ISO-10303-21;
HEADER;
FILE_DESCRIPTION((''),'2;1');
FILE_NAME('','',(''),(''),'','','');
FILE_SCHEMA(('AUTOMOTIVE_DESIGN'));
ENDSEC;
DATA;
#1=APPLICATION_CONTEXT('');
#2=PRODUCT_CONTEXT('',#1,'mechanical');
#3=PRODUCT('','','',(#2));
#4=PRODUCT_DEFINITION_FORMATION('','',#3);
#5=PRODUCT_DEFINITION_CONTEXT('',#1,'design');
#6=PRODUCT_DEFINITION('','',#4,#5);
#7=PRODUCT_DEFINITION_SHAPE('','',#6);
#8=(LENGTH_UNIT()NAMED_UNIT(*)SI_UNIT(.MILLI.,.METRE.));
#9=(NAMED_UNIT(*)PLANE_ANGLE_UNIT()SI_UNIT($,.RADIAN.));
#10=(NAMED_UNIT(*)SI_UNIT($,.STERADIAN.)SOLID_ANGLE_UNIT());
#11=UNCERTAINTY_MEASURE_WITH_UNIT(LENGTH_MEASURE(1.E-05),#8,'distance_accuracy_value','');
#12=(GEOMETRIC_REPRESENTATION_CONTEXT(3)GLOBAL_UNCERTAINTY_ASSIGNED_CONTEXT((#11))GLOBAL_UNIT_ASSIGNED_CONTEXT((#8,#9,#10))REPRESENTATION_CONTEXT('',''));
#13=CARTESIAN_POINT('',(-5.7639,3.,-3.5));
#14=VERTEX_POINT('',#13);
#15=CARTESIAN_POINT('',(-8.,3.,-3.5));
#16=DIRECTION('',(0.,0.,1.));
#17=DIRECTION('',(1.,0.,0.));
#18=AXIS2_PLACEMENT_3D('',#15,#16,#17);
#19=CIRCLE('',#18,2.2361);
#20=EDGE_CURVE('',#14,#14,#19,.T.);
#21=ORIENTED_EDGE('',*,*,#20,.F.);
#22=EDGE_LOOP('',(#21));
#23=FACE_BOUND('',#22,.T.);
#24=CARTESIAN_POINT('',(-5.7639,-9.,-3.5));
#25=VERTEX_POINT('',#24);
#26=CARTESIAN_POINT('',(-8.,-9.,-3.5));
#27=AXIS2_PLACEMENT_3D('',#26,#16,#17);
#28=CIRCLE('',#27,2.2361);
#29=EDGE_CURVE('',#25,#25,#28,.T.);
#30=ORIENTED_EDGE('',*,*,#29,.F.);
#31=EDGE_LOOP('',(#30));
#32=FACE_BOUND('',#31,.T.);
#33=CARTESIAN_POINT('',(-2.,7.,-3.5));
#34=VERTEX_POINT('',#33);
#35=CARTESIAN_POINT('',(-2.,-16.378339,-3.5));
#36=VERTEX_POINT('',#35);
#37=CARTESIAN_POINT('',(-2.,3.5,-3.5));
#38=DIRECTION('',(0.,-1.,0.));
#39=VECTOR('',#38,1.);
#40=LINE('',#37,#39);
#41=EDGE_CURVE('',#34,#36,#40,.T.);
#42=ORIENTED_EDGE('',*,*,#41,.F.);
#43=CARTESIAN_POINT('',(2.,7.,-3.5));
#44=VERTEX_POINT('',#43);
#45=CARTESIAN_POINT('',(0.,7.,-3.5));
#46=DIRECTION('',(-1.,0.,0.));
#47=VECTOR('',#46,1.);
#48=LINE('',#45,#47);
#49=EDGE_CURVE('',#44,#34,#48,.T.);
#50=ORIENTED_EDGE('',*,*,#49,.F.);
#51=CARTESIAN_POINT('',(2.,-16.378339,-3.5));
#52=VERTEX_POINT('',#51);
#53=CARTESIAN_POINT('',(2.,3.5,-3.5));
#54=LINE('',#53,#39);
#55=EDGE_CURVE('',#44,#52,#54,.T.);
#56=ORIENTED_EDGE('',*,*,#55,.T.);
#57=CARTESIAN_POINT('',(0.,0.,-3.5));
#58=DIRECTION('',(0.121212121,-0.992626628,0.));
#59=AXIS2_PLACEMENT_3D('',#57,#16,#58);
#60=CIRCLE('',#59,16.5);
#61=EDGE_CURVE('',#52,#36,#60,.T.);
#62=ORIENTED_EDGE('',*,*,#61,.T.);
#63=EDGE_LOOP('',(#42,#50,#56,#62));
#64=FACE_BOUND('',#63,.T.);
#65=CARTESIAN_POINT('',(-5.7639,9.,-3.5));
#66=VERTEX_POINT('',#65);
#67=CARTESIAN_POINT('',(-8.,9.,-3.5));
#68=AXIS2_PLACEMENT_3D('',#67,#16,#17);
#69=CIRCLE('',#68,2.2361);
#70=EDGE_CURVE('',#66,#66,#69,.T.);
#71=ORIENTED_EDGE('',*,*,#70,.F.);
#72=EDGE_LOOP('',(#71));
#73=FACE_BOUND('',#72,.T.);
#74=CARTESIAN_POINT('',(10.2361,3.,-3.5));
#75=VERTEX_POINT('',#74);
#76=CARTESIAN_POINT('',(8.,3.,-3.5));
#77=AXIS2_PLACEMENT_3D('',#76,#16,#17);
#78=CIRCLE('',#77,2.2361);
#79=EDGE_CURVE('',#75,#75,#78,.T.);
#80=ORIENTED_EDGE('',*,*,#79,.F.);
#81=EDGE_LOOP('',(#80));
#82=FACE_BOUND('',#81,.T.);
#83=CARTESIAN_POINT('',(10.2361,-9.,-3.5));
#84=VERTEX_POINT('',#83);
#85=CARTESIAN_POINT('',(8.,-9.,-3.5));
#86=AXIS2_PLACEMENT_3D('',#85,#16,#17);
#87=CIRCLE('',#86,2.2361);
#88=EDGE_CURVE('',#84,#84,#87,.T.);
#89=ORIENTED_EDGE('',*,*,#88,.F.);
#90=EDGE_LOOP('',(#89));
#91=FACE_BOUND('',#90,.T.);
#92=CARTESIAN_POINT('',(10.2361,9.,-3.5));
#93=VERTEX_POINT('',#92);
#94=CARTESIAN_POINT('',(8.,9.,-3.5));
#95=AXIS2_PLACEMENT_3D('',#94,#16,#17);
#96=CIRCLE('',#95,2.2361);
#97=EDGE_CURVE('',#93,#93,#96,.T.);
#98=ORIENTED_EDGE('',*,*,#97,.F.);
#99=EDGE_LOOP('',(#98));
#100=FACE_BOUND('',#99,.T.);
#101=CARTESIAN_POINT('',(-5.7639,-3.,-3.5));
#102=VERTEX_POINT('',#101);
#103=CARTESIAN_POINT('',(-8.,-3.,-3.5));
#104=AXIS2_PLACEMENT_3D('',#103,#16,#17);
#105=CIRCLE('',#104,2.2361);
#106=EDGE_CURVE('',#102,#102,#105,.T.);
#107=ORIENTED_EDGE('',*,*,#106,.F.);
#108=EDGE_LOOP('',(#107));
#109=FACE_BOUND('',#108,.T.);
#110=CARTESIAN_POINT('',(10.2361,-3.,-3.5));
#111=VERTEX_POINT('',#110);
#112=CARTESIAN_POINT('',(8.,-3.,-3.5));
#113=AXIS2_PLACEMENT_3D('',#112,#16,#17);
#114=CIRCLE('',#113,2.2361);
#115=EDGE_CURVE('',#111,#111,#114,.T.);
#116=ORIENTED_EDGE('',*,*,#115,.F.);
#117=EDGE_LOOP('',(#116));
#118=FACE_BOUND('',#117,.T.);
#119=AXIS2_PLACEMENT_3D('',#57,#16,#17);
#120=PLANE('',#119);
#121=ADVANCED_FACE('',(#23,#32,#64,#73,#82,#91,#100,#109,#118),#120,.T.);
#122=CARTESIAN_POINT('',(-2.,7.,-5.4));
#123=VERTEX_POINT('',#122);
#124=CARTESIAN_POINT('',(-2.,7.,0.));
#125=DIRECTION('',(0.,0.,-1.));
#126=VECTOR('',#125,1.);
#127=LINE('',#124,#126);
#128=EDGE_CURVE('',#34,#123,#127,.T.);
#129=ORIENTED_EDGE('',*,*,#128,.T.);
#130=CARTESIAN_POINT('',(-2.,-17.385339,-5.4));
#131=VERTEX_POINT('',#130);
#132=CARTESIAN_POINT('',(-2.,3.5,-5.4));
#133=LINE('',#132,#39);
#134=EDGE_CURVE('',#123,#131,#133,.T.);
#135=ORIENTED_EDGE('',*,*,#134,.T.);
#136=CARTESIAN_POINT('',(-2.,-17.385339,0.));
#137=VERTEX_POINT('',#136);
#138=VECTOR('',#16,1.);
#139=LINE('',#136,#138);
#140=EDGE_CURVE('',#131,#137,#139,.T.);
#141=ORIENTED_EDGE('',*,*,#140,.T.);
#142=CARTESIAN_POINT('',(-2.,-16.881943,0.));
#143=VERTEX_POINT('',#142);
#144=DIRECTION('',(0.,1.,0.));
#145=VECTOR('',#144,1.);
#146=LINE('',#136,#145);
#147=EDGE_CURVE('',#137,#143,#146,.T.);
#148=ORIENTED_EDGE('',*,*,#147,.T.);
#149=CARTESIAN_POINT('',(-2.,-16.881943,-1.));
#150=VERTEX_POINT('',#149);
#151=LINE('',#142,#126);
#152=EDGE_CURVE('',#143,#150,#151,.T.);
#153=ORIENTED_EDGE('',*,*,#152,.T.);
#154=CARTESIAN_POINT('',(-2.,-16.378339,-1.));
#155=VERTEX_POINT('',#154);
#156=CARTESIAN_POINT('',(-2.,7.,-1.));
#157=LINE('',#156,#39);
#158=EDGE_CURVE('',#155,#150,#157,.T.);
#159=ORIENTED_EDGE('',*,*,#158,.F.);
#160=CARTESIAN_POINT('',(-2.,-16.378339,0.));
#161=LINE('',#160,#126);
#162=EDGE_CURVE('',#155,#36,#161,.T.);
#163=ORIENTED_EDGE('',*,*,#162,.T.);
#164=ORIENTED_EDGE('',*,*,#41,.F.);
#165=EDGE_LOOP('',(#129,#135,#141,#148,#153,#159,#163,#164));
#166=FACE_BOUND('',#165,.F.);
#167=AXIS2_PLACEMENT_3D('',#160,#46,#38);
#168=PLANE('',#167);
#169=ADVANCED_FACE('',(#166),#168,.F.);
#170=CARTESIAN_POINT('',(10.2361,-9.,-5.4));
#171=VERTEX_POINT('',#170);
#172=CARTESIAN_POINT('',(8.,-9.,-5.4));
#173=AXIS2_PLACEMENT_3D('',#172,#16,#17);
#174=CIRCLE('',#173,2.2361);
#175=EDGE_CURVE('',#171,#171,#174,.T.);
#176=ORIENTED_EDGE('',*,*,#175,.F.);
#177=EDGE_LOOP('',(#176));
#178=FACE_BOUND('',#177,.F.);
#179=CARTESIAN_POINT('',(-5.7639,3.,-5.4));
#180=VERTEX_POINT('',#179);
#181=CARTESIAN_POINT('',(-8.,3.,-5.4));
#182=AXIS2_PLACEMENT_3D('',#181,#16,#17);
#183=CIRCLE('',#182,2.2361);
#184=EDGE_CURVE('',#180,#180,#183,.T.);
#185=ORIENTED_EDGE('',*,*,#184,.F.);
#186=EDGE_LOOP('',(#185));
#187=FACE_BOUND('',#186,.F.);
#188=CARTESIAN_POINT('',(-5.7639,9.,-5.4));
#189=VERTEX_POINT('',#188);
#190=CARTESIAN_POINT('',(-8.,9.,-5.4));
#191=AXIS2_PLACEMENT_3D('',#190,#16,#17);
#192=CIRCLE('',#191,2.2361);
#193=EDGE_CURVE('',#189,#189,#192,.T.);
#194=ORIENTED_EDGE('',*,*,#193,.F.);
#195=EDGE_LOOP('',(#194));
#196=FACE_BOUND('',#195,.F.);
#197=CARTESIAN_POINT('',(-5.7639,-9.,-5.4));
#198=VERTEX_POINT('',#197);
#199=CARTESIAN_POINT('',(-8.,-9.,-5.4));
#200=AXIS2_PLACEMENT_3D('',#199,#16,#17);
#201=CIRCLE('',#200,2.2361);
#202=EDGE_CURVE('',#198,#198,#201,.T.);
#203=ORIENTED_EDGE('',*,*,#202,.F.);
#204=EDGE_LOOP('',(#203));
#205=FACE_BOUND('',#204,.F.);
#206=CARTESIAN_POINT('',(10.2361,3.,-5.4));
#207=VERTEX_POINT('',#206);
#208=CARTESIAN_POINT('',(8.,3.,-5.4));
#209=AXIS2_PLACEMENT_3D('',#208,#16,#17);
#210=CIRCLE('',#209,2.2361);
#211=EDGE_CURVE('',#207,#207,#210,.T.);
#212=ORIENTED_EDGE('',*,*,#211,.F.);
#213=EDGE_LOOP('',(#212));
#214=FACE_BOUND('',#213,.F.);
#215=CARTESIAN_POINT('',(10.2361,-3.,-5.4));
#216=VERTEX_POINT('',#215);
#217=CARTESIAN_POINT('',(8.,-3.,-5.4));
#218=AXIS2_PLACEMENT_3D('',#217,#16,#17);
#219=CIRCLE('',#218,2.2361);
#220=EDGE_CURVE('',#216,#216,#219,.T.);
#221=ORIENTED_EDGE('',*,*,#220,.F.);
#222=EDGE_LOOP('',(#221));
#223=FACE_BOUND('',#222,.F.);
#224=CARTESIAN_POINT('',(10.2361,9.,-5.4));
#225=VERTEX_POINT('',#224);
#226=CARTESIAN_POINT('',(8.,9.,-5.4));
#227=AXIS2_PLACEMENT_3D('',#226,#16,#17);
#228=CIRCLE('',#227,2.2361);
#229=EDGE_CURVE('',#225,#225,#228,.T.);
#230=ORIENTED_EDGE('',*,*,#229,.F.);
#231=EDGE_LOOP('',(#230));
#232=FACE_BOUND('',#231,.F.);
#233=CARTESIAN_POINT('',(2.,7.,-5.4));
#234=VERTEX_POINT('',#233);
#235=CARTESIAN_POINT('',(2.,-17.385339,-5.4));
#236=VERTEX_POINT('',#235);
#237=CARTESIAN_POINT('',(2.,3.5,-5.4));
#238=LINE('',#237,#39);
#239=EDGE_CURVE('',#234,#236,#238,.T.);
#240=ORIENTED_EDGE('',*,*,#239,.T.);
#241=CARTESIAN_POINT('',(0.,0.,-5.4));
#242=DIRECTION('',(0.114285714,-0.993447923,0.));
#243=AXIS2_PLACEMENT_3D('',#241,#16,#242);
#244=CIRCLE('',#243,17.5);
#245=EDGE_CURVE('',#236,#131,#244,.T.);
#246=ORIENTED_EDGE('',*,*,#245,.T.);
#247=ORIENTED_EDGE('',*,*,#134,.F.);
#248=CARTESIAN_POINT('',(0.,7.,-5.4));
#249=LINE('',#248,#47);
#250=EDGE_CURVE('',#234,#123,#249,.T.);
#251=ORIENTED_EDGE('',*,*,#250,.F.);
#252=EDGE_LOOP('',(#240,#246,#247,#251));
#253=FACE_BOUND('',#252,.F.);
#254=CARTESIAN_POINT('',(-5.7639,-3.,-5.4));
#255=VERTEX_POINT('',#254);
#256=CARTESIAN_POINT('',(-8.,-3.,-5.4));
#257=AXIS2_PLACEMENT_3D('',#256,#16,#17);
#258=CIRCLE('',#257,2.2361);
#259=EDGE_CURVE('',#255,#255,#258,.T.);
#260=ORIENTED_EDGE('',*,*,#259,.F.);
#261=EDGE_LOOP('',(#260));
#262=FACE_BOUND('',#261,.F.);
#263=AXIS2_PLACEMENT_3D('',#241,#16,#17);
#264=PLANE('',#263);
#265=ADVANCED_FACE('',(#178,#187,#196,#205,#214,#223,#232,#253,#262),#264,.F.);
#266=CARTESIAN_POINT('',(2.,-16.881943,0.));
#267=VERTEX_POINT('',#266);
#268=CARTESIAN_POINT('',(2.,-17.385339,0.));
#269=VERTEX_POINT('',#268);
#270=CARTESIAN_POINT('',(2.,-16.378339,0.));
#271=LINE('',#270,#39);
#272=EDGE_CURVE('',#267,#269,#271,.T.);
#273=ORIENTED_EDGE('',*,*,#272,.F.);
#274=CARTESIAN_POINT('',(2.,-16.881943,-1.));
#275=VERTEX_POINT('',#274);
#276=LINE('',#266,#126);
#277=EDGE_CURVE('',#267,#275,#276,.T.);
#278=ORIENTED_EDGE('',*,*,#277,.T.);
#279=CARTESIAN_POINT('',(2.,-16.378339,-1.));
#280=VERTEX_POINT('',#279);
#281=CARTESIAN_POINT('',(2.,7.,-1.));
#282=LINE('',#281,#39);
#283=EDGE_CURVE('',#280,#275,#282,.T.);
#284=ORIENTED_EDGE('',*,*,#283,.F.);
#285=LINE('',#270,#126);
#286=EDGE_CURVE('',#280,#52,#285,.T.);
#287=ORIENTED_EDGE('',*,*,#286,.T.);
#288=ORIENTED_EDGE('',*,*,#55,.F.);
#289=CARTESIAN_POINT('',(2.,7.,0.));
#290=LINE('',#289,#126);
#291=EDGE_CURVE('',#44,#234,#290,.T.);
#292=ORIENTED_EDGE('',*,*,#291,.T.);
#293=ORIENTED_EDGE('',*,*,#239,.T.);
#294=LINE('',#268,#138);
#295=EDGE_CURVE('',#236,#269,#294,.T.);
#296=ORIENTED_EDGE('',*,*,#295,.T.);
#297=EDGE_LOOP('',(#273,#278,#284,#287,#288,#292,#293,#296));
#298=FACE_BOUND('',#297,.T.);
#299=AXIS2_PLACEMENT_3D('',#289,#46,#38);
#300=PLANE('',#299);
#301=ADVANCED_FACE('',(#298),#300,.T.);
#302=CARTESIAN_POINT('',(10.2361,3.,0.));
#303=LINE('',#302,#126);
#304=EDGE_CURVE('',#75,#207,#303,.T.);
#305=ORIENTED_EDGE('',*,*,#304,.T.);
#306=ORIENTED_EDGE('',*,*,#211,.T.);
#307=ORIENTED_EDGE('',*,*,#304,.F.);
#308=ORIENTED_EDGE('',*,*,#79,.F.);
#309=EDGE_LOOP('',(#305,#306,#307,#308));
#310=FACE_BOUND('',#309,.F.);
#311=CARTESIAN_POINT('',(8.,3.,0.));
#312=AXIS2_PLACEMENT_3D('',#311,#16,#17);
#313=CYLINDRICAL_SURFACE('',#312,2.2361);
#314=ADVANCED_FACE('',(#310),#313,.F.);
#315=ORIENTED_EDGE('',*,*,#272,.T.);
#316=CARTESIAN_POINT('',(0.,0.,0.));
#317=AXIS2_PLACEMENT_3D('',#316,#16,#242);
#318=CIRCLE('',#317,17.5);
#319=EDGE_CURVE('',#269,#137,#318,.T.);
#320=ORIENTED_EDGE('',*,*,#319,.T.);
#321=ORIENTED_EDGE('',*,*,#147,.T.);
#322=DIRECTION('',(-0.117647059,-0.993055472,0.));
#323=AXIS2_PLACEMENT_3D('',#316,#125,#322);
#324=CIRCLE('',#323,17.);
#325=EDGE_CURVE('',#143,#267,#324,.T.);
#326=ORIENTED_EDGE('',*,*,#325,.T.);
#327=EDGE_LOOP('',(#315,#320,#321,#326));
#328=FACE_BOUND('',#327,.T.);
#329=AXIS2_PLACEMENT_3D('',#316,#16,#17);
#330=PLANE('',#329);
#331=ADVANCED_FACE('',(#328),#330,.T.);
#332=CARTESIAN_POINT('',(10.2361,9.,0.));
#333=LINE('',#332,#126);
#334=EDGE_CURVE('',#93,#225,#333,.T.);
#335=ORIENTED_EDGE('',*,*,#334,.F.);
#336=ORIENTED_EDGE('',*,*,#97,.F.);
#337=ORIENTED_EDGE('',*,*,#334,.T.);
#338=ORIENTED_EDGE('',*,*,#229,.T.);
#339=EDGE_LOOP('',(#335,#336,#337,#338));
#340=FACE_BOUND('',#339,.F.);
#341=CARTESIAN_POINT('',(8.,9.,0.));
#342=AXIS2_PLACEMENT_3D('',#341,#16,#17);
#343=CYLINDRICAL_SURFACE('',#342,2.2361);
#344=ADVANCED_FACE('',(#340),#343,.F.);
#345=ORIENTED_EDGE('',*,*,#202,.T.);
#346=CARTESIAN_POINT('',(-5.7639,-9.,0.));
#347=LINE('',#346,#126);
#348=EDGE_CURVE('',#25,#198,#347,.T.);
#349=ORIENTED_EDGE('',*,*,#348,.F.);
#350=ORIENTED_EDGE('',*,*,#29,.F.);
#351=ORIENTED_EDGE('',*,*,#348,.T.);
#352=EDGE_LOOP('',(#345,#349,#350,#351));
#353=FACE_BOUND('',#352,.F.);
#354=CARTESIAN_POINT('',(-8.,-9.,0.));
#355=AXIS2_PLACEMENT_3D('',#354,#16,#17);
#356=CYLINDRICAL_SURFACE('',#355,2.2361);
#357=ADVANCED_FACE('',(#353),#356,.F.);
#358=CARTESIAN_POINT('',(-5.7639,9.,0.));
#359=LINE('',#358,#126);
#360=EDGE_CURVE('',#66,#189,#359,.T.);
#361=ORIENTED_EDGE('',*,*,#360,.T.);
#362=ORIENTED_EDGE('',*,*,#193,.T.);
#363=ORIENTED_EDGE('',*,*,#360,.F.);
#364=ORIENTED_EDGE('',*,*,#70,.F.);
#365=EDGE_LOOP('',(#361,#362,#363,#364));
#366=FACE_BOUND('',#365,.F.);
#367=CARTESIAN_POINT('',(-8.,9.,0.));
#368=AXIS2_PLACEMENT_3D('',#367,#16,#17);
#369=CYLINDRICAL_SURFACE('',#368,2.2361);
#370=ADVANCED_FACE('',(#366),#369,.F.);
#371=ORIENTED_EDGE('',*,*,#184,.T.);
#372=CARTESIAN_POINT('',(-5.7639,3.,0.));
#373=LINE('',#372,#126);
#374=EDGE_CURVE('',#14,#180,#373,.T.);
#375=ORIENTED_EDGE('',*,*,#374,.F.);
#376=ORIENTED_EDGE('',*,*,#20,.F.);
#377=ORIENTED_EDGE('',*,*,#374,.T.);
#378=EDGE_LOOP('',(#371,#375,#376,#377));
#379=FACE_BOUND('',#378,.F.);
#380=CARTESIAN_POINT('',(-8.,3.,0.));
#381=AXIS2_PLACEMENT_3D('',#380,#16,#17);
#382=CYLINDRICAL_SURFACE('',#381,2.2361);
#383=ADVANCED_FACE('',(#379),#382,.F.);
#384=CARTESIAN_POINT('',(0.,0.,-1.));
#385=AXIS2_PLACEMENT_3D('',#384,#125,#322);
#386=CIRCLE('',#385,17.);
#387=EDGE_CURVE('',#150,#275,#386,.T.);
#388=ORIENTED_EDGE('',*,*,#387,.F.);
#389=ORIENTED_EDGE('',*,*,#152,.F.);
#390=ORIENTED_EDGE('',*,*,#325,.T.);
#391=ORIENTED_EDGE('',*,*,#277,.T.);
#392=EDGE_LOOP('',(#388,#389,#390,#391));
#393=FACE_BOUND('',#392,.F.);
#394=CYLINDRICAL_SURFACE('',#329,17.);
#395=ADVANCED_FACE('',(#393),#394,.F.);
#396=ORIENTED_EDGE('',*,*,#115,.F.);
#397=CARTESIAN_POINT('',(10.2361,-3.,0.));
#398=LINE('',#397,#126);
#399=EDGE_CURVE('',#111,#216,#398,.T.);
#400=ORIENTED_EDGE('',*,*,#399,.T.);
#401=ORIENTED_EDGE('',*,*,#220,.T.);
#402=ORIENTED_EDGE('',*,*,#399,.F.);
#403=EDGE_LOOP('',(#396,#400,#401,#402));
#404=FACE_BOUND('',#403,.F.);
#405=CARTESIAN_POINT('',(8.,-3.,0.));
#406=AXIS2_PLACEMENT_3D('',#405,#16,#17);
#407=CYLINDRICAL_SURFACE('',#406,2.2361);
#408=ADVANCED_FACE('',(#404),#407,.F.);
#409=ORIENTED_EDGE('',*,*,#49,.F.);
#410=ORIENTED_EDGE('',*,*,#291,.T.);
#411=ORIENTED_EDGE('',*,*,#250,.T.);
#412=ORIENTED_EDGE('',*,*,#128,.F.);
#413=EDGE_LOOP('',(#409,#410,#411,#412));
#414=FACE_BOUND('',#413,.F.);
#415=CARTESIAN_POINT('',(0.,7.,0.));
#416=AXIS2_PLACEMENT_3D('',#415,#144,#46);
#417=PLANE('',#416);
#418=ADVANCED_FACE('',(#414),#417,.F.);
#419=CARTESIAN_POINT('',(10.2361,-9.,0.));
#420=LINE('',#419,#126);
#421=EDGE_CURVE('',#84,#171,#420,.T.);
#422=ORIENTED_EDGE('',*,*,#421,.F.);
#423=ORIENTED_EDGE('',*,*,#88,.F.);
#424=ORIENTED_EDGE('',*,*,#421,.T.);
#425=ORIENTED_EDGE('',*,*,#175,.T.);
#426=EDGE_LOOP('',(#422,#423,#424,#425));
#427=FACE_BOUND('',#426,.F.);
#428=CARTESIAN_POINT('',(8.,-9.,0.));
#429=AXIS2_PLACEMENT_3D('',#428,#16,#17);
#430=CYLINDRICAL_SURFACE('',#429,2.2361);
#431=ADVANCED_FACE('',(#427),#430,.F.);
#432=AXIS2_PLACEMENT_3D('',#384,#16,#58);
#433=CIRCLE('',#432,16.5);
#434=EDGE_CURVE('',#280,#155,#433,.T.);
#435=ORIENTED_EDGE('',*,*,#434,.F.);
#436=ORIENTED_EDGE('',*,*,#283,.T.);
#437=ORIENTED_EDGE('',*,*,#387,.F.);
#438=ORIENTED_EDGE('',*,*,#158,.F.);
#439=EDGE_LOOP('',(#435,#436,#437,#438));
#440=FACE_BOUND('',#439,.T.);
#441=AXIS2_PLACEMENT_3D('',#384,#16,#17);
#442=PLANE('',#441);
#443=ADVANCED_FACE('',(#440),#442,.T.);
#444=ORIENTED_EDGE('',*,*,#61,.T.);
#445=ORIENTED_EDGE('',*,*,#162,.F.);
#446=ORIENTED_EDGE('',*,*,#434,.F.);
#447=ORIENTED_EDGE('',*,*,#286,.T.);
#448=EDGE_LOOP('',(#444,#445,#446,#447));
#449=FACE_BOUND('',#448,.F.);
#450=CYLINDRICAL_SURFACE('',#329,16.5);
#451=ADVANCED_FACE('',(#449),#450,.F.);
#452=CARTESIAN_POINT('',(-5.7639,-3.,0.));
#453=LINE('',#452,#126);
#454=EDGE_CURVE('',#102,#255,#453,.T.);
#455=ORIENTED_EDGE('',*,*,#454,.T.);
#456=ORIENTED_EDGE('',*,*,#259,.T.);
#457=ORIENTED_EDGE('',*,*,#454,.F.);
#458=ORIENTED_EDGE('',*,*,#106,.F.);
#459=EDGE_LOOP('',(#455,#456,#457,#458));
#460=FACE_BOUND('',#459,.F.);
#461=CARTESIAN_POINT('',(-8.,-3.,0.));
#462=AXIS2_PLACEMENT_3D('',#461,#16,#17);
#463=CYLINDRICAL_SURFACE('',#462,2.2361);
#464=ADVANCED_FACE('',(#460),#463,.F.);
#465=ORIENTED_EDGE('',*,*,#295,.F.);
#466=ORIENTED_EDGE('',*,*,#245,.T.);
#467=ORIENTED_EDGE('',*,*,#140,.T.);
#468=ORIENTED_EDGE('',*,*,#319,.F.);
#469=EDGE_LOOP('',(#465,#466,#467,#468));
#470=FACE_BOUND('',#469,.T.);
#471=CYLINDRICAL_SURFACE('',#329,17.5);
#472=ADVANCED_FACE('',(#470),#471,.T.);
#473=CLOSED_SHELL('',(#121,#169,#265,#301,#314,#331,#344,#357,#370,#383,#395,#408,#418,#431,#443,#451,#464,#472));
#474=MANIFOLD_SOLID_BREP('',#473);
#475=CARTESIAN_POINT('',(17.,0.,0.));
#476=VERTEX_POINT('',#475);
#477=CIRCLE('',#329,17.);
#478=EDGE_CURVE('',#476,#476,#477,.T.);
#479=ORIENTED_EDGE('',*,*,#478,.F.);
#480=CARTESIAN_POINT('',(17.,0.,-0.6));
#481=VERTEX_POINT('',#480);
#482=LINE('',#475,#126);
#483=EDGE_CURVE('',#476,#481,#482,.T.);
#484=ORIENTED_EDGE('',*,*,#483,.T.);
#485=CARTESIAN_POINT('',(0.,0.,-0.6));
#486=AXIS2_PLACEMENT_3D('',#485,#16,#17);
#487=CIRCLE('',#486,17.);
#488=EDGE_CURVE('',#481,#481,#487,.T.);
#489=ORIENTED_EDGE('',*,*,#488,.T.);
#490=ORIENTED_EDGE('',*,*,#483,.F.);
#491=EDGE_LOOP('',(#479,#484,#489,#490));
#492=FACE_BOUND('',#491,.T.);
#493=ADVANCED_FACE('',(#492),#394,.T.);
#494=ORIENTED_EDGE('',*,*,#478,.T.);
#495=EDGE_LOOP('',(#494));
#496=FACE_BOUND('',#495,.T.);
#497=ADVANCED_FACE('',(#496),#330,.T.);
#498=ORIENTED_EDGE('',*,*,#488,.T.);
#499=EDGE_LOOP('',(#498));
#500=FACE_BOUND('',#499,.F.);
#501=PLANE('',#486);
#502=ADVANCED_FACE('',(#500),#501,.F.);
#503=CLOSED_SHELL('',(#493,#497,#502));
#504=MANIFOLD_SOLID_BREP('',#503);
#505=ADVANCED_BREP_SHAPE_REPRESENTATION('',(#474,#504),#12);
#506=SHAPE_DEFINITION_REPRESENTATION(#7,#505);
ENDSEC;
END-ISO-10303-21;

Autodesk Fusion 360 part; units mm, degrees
sketch "Sketch1" plane through (0, 0, 0) normal (0, 0, 1) x (1, 0, 0)
  circle A0 centre (0, 0) radius 16.5
  circle A1 centre (0, 0) radius 17.5
  circle A2 centre (0, 0) radius 17
  line L0 (0, 7) -> (2, 7)
  line L1 (2, 7) -> (2, -19.5649)
  line L2 (2, -19.5649) -> (0, -19.5649)
  line L3 (0, -19.5649) -> (0, 7)
  line L4 (0, 7) -> (-2, 7)
  line L5 (-2, 7) -> (-2, -19.5649)
  line L6 (-2, -19.5649) -> (0, -19.5649)
  line L7 (0, -19.5649) -> (0, 7)
  circle A3 centre (-8, 9) radius 2.2361
  circle A4 centre (-8, 3) radius 2.2361
  line L8 (-21, 0) -> (23, 0) construction
  circle A5 centre (-8, -9) radius 2.2361
  circle A6 centre (-8, -3) radius 2.2361
  line L9 (0, 20) -> (0, -23) construction
  circle A7 centre (8, 9) radius 2.2361
  circle A8 centre (8, 3) radius 2.2361
  circle A9 centre (8, -3) radius 2.2361
  circle A10 centre (8, -9) radius 2.2361
  dimension "d1" = 33
  dimension "d2" = 35
  dimension "d3" = 34
  dimension "d8" = 2
  dimension "d11" = 0
  dimension "d12" = -6
extrude "Extrude1" add sketch "Sketch1" against normal blind 5.4 contours A0 L0 L1 L4 L5 | A0 A2 L1 L5 | A0 L3 L4 L5 L7 | A0 A2 L3 L5 L7 | A0 A2 L1 L3 L7 | A0 L0 L1 L3 L7 | A1 A2 L1 L5 | A1 A2 L3 L5 L7 | A1 A2 L1 L3 L7 | A3 | A4 | A5 | A6 | A7 | A8 | A9 | A10 makes body 1
extrude "Extrude2" cut sketch "Sketch1" against normal blind 3.5 contours A0 L0 L1 L4 L5 | A0 L3 L4 L5 L7 | A0 A2 L3 L5 L7 | A0 A2 L1 L3 L7 | A0 L0 L1 L3 L7 | A3 | A4 | A5 | A6 | A7 | A8 | A9 | A10 bodies 1
extrude "Extrude3" cut sketch "Sketch1" against normal blind 10 contours A0 L3 L4 L5 L7 | A0 A2 L3 L5 L7 | A0 A2 L1 L3 L7 | A0 L0 L1 L3 L7 | A1 A2 L3 L5 L7 | A1 A2 L1 L3 L7 | A1 L3 L5 L6 L7 | A1 L1 L2 L3 L7 | A3 | A4 | A5 | A6 | A7 | A8 | A9 | A10 bodies 1
extrude "Extrude4" cut sketch "Sketch1" against normal blind 1 contours A0 A2 L1 L5 bodies 1
extrude "Extrude5" add sketch "Sketch1" against normal blind 0.6 separate body contours A0 L0 L1 L4 L5 | A0 A2 L1 L5 | A0 L3 L4 L5 L7 | A0 A2 L3 L5 L7 | A0 A2 L1 L3 L7 | A0 L0 L1 L3 L7 | A3 | A4 | A5 | A6 | A7 | A8 | A9 | A10 makes body 2
